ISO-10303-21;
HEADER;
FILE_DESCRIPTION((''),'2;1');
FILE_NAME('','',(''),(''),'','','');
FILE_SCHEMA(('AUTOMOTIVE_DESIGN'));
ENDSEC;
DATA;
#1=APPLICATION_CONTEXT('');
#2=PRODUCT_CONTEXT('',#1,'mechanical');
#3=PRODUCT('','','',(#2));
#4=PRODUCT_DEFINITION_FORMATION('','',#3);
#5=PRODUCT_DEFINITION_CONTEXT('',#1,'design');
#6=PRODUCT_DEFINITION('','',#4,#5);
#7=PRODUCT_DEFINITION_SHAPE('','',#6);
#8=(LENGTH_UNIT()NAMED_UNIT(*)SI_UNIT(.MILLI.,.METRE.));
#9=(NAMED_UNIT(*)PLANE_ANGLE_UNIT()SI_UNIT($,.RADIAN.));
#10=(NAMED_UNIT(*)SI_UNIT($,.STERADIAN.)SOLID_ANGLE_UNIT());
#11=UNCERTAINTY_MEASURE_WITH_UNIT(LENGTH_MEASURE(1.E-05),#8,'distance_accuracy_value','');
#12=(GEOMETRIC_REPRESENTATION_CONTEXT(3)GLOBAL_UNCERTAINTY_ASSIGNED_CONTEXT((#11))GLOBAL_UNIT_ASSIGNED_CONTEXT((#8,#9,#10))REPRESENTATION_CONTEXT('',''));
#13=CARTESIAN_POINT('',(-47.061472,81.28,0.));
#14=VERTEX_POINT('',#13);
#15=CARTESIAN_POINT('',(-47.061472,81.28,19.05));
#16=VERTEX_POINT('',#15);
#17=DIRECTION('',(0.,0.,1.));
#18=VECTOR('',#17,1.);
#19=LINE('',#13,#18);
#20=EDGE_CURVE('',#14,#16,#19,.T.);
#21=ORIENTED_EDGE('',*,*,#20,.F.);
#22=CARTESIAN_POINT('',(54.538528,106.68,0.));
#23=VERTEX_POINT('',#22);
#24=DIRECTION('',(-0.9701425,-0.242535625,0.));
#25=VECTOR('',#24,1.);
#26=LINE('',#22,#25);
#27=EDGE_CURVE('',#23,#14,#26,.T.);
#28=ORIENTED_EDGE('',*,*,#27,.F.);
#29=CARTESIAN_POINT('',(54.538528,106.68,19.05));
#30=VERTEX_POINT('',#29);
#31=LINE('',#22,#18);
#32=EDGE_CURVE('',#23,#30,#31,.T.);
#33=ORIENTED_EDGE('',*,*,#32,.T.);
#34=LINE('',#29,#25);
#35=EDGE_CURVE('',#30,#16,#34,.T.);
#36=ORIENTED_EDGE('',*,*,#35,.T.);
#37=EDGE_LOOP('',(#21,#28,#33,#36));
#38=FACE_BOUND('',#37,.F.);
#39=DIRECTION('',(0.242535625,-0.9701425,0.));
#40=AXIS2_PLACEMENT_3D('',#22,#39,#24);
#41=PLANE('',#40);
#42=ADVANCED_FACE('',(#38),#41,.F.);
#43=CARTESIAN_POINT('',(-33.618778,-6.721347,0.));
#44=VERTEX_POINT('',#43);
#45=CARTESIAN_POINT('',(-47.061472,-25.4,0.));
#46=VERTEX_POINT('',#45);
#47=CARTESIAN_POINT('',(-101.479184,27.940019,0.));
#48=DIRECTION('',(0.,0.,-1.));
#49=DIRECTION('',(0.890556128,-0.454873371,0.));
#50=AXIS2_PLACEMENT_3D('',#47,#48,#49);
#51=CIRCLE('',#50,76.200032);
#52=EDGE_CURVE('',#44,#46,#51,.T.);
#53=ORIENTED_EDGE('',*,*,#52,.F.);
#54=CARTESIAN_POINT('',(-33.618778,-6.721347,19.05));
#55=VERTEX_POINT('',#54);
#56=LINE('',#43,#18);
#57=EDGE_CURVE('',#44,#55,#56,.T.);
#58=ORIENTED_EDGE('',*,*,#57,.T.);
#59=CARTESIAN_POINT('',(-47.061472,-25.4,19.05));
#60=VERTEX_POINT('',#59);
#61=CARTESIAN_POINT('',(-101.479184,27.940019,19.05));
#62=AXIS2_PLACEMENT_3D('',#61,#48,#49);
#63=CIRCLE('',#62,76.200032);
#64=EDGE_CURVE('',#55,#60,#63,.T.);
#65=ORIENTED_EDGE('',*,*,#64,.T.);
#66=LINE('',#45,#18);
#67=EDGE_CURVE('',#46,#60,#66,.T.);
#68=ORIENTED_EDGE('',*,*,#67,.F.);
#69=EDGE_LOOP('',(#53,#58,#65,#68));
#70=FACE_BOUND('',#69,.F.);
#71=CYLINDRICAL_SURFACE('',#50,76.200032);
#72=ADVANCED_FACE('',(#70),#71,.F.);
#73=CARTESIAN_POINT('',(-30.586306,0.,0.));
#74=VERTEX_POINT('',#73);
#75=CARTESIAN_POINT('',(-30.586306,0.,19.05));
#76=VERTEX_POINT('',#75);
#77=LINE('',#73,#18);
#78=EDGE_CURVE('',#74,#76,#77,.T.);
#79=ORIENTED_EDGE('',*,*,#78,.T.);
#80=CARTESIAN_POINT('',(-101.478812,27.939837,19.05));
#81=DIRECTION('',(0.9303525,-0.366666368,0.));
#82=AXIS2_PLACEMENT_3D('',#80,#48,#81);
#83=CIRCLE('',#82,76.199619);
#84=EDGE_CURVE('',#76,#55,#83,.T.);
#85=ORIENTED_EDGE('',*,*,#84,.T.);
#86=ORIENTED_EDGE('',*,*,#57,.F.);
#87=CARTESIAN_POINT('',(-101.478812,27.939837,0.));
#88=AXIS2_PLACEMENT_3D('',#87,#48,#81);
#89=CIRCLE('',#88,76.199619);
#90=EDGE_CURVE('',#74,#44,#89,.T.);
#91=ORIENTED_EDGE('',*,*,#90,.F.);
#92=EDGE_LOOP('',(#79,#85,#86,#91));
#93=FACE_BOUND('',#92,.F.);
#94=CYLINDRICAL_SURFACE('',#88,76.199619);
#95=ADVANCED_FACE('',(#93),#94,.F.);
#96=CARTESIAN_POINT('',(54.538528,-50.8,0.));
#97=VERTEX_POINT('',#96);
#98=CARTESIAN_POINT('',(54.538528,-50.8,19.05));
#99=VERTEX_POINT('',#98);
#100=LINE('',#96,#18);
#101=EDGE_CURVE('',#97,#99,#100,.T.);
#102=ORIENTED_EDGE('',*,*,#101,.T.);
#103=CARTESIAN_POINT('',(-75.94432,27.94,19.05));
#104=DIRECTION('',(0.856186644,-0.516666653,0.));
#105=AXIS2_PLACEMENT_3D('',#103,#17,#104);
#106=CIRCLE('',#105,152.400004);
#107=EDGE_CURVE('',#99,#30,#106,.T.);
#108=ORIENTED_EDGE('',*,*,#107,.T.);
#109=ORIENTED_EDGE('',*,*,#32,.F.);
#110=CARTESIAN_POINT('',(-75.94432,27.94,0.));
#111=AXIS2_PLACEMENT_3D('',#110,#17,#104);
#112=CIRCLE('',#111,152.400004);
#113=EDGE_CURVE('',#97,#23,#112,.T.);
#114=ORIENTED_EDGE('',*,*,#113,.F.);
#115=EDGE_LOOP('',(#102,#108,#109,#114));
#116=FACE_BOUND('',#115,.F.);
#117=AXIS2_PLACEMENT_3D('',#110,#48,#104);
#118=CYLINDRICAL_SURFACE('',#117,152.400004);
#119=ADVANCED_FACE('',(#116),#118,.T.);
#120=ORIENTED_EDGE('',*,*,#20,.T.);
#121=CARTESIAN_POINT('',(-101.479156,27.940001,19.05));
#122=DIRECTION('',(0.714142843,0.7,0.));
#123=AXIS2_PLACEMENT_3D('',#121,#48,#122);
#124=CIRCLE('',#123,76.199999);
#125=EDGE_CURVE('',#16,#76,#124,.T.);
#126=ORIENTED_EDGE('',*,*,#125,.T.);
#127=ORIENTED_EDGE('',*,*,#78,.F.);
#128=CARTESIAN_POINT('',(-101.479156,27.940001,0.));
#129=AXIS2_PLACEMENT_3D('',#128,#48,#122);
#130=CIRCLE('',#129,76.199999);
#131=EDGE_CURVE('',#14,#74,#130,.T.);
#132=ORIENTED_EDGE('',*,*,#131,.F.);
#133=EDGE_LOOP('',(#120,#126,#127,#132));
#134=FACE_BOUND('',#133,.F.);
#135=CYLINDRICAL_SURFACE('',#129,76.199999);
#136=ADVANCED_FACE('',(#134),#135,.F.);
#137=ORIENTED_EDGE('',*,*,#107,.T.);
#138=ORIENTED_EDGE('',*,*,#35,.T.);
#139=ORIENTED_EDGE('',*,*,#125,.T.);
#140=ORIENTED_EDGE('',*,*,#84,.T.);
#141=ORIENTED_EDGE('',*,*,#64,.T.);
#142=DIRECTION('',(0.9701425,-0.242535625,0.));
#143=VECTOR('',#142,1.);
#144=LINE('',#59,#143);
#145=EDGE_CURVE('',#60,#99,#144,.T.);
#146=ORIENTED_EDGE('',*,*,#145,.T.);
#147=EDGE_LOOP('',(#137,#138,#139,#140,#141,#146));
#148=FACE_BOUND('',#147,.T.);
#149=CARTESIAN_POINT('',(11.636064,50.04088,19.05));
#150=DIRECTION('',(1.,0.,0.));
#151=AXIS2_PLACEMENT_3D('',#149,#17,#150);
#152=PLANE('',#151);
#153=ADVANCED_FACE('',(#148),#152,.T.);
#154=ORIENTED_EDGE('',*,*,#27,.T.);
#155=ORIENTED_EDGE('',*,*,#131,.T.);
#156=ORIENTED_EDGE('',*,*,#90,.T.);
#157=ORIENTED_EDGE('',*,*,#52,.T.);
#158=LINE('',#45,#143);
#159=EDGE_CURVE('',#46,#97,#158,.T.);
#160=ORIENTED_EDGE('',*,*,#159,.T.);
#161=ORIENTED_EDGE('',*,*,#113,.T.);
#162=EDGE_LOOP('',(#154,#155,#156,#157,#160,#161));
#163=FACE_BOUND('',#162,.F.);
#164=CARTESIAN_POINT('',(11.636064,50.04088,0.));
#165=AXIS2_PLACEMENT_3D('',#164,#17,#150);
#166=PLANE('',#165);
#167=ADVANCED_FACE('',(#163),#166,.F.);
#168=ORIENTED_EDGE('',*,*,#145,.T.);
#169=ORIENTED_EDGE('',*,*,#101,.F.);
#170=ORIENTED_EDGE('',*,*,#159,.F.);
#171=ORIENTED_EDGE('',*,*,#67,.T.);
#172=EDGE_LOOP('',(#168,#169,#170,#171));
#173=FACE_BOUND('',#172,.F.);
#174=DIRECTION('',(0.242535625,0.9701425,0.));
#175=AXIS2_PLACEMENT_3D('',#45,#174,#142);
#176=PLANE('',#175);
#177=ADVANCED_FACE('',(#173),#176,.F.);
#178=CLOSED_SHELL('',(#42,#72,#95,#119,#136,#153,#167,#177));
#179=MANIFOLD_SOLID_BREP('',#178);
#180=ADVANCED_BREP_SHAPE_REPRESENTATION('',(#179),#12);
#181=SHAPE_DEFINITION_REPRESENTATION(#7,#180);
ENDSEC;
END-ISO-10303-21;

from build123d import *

# Parameters (mm, degrees)
F1_DEPTH = 19.05


with BuildPart() as f1:
    # F0 (on Top) → F1 (new body)
    with BuildSketch(Plane.XY):
        with BuildLine():
            Line((-30.586306, 0), (4.838097, 0))
            Line((4.838097, 0), (54.538528, 0))
            Line((54.538528, 0), (54.538528, 106.68))
            Line((54.538528, 106.68), (-47.061472, 81.28))
            ThreePointArc((-47.061472, 81.28), (-26.797886, 43.077628), (-30.586306, 0))
        make_face()
        with BuildLine():
            Line((54.538528, 0), (4.838097, 0))
            Line((4.838097, 0), (-30.586306, 0))
            ThreePointArc((-30.586306, 0), (-32.021192, -3.397376), (-33.618778, -6.721347))
            Line((-33.618778, -6.721347), (54.538528, -50.8))
            Line((54.538528, -50.8), (54.538528, 0))
        make_face()
        with BuildLine():
            Line((54.538528, -50.8), (-33.618778, -6.721347))
            ThreePointArc((-33.618778, -6.721347), (-39.630922, -16.571075), (-47.061472, -25.4))
            Line((-47.061472, -25.4), (54.538528, -50.8))
        make_face()
        with BuildLine():
            Line((54.538528, 106.68), (54.538528, 0))
            Line((54.538528, 0), (54.538528, -50.8))
            ThreePointArc((54.538528, -50.8), (76.455684, 27.94), (54.538528, 106.68))
        make_face()
    extrude(amount=F1_DEPTH)


solid = f1.part
